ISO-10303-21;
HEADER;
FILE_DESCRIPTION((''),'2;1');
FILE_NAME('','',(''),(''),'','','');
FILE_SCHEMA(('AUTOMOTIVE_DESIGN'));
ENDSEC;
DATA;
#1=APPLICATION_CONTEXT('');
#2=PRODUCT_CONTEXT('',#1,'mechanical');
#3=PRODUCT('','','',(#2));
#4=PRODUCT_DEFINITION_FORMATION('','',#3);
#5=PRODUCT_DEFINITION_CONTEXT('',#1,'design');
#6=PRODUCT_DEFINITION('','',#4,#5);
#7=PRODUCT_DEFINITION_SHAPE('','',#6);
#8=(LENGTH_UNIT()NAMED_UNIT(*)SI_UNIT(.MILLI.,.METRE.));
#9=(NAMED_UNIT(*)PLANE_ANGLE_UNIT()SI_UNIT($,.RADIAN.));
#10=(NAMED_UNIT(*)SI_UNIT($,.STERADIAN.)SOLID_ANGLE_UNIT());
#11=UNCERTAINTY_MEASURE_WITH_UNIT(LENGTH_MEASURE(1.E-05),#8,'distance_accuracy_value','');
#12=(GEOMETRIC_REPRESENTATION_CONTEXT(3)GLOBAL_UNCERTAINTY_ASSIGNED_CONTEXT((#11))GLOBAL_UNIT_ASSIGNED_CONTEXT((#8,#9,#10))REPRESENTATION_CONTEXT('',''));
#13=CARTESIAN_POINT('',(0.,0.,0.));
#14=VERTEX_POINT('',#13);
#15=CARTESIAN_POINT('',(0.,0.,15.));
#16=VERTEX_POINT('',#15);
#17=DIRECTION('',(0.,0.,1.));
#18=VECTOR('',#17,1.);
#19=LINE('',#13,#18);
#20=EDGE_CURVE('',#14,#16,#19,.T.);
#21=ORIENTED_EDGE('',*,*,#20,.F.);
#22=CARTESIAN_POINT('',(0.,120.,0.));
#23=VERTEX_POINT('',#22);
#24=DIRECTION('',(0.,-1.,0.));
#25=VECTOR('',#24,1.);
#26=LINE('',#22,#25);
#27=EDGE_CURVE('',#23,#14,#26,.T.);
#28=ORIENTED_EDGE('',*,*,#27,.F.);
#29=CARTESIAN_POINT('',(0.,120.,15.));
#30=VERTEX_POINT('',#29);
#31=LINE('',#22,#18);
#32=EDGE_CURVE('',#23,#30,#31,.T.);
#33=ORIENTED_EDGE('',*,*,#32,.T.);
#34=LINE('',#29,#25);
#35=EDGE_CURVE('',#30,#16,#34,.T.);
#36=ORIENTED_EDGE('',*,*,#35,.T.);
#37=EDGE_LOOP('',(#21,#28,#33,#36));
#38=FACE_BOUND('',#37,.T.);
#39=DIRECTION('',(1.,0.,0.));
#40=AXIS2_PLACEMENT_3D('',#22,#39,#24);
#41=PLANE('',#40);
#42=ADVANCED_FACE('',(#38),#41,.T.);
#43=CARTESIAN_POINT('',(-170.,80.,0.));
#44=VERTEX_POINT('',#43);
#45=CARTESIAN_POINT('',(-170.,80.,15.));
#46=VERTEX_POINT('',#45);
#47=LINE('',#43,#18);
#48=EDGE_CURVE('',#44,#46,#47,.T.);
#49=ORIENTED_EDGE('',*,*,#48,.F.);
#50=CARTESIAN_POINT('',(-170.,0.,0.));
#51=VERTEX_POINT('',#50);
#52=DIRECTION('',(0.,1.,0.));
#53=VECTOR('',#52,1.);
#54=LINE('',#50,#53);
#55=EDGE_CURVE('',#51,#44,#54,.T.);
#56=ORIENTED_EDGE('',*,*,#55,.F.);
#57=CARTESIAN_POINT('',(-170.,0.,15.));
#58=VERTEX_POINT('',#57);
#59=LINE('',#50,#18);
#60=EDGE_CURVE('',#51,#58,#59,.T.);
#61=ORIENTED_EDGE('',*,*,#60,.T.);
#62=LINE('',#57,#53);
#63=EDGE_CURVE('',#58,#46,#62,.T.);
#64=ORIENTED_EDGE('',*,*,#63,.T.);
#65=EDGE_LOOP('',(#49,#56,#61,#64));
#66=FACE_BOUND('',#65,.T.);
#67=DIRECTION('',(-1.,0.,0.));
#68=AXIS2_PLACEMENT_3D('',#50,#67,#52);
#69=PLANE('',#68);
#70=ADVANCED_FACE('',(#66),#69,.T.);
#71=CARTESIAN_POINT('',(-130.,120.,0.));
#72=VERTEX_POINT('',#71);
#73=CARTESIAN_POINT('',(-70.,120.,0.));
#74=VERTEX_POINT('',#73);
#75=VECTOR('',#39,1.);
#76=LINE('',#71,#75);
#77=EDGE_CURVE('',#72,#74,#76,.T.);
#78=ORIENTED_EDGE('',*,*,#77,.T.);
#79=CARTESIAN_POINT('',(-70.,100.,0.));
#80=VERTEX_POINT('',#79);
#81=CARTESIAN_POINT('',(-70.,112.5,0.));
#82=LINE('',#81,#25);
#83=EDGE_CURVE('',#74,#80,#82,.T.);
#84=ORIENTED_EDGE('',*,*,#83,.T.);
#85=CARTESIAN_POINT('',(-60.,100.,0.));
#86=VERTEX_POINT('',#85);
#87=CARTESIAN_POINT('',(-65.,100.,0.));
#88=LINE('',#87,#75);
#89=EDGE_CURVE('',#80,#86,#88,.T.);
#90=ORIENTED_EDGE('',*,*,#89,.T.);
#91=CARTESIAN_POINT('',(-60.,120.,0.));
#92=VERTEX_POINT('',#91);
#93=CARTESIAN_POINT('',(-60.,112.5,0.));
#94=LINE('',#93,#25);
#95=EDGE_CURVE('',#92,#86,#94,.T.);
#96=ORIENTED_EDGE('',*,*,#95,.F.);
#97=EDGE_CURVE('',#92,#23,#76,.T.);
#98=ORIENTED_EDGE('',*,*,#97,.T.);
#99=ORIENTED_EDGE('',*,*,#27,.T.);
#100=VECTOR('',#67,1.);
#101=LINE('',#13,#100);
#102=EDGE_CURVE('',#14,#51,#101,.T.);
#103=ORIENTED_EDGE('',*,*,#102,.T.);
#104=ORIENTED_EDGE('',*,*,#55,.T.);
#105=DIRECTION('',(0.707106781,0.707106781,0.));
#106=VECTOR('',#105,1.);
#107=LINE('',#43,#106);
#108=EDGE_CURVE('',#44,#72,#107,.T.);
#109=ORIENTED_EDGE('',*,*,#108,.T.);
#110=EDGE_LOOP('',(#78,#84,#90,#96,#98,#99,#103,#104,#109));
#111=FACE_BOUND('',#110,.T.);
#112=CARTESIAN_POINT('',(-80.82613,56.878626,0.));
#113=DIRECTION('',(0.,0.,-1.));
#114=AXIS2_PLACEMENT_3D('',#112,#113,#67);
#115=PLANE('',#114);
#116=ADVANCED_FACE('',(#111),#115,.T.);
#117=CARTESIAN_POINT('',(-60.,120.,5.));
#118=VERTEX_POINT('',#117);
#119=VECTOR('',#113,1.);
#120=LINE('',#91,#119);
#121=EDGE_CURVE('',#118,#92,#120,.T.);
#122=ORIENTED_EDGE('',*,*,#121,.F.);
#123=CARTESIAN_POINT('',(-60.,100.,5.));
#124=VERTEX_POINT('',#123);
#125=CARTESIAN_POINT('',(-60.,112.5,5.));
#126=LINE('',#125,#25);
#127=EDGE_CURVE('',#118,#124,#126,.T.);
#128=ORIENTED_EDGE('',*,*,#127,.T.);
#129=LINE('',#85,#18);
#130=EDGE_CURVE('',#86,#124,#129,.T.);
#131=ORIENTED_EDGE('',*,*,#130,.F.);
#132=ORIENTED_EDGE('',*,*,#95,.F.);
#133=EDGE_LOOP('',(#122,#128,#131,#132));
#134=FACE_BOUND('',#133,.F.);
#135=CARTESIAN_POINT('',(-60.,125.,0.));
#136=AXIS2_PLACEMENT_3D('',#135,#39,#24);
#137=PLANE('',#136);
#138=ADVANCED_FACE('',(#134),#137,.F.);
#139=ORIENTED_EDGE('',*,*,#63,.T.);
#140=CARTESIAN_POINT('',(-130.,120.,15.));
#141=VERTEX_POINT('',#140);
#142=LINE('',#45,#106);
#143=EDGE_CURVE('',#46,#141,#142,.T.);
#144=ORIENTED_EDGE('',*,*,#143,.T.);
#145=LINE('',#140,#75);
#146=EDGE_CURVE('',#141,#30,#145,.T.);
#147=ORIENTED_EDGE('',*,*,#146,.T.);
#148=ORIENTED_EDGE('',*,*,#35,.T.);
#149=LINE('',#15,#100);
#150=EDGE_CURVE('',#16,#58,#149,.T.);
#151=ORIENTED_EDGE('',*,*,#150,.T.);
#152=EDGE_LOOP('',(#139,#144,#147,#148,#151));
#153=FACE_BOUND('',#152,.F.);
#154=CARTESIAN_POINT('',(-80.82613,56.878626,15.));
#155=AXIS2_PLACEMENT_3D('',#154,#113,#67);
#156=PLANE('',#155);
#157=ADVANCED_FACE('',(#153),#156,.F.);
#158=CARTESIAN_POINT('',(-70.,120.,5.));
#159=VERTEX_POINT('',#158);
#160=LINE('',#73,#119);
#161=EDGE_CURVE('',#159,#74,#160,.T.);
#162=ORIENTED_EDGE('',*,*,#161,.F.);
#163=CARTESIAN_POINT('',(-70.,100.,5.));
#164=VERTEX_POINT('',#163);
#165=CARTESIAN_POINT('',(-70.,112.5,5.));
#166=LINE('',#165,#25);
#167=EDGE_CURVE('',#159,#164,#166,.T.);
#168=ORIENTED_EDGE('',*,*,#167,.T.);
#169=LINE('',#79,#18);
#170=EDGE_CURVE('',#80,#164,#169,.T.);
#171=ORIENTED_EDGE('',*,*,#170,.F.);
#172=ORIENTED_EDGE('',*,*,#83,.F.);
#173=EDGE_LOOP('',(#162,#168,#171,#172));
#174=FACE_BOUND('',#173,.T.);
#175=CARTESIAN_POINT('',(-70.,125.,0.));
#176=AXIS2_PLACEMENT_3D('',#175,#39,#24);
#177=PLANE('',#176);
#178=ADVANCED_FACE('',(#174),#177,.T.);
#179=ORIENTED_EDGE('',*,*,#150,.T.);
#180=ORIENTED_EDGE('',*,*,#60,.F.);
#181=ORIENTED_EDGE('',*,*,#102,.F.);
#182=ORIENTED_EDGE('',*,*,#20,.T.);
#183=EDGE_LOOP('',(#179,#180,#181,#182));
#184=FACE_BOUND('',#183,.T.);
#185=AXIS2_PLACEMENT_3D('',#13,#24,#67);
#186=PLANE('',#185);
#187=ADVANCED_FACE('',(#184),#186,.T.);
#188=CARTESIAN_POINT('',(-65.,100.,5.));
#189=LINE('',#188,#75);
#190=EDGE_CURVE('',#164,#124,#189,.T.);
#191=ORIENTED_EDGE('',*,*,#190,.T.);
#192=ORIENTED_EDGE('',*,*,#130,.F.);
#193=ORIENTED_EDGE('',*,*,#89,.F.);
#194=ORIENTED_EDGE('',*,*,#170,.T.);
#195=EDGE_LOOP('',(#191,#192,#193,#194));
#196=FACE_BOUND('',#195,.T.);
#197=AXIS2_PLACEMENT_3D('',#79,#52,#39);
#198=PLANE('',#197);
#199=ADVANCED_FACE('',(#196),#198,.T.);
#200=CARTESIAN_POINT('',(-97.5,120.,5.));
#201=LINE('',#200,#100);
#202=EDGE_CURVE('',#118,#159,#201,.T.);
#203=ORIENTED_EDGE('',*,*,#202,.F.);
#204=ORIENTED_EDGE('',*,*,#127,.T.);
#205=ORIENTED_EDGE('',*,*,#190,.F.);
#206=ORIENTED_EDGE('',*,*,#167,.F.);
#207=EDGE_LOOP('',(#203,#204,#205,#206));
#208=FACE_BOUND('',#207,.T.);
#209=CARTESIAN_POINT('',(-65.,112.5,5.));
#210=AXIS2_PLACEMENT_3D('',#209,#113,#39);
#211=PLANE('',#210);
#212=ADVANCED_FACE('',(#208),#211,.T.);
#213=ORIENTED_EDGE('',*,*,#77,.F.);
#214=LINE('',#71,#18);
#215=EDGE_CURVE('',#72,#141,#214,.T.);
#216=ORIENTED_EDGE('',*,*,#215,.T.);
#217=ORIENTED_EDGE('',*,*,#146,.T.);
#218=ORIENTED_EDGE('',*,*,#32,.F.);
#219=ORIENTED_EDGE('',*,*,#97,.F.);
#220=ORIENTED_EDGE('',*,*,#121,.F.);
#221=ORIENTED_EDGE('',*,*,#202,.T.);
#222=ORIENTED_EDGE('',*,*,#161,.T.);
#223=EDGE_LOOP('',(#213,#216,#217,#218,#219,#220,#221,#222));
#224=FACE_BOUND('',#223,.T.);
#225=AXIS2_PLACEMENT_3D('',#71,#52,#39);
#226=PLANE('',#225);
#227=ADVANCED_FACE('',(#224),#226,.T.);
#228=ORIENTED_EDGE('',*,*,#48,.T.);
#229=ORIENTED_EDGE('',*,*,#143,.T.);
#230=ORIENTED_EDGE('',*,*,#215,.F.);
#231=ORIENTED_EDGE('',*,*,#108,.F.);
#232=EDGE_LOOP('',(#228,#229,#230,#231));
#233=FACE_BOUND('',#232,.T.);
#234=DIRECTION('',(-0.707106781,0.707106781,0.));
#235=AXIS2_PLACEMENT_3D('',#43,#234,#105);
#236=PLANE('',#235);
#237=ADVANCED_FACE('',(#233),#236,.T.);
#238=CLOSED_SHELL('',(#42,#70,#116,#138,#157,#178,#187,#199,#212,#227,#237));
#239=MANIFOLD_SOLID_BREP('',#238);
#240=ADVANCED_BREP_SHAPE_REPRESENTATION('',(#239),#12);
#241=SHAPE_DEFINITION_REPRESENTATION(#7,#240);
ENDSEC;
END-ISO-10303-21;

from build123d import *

# Parameters (mm, degrees)
PAD_DEPTH    = 15
SKETCH_W     = 10
SKETCH_H     = 25
POCKET_DEPTH = 5


with BuildPart() as part:
    # CopySketch → Pad (new body)
    with BuildSketch(Plane.XY):
        Polygon((-170, 0), (-170, 80), (-130, 120), (0, 120), (0, 0), align=None)
    extrude(amount=PAD_DEPTH)

    # Sketch (on Face6 of Pad) → Pocket (cut)
    with BuildSketch(Plane(origin=(0, 0, 0), x_dir=(1, 0, 0), z_dir=(0, 0, -1))):
        with Locations((-65, -112.5)):
            Rectangle(SKETCH_W, SKETCH_H)
    extrude(amount=-POCKET_DEPTH, mode=Mode.SUBTRACT)


solid = part.part
